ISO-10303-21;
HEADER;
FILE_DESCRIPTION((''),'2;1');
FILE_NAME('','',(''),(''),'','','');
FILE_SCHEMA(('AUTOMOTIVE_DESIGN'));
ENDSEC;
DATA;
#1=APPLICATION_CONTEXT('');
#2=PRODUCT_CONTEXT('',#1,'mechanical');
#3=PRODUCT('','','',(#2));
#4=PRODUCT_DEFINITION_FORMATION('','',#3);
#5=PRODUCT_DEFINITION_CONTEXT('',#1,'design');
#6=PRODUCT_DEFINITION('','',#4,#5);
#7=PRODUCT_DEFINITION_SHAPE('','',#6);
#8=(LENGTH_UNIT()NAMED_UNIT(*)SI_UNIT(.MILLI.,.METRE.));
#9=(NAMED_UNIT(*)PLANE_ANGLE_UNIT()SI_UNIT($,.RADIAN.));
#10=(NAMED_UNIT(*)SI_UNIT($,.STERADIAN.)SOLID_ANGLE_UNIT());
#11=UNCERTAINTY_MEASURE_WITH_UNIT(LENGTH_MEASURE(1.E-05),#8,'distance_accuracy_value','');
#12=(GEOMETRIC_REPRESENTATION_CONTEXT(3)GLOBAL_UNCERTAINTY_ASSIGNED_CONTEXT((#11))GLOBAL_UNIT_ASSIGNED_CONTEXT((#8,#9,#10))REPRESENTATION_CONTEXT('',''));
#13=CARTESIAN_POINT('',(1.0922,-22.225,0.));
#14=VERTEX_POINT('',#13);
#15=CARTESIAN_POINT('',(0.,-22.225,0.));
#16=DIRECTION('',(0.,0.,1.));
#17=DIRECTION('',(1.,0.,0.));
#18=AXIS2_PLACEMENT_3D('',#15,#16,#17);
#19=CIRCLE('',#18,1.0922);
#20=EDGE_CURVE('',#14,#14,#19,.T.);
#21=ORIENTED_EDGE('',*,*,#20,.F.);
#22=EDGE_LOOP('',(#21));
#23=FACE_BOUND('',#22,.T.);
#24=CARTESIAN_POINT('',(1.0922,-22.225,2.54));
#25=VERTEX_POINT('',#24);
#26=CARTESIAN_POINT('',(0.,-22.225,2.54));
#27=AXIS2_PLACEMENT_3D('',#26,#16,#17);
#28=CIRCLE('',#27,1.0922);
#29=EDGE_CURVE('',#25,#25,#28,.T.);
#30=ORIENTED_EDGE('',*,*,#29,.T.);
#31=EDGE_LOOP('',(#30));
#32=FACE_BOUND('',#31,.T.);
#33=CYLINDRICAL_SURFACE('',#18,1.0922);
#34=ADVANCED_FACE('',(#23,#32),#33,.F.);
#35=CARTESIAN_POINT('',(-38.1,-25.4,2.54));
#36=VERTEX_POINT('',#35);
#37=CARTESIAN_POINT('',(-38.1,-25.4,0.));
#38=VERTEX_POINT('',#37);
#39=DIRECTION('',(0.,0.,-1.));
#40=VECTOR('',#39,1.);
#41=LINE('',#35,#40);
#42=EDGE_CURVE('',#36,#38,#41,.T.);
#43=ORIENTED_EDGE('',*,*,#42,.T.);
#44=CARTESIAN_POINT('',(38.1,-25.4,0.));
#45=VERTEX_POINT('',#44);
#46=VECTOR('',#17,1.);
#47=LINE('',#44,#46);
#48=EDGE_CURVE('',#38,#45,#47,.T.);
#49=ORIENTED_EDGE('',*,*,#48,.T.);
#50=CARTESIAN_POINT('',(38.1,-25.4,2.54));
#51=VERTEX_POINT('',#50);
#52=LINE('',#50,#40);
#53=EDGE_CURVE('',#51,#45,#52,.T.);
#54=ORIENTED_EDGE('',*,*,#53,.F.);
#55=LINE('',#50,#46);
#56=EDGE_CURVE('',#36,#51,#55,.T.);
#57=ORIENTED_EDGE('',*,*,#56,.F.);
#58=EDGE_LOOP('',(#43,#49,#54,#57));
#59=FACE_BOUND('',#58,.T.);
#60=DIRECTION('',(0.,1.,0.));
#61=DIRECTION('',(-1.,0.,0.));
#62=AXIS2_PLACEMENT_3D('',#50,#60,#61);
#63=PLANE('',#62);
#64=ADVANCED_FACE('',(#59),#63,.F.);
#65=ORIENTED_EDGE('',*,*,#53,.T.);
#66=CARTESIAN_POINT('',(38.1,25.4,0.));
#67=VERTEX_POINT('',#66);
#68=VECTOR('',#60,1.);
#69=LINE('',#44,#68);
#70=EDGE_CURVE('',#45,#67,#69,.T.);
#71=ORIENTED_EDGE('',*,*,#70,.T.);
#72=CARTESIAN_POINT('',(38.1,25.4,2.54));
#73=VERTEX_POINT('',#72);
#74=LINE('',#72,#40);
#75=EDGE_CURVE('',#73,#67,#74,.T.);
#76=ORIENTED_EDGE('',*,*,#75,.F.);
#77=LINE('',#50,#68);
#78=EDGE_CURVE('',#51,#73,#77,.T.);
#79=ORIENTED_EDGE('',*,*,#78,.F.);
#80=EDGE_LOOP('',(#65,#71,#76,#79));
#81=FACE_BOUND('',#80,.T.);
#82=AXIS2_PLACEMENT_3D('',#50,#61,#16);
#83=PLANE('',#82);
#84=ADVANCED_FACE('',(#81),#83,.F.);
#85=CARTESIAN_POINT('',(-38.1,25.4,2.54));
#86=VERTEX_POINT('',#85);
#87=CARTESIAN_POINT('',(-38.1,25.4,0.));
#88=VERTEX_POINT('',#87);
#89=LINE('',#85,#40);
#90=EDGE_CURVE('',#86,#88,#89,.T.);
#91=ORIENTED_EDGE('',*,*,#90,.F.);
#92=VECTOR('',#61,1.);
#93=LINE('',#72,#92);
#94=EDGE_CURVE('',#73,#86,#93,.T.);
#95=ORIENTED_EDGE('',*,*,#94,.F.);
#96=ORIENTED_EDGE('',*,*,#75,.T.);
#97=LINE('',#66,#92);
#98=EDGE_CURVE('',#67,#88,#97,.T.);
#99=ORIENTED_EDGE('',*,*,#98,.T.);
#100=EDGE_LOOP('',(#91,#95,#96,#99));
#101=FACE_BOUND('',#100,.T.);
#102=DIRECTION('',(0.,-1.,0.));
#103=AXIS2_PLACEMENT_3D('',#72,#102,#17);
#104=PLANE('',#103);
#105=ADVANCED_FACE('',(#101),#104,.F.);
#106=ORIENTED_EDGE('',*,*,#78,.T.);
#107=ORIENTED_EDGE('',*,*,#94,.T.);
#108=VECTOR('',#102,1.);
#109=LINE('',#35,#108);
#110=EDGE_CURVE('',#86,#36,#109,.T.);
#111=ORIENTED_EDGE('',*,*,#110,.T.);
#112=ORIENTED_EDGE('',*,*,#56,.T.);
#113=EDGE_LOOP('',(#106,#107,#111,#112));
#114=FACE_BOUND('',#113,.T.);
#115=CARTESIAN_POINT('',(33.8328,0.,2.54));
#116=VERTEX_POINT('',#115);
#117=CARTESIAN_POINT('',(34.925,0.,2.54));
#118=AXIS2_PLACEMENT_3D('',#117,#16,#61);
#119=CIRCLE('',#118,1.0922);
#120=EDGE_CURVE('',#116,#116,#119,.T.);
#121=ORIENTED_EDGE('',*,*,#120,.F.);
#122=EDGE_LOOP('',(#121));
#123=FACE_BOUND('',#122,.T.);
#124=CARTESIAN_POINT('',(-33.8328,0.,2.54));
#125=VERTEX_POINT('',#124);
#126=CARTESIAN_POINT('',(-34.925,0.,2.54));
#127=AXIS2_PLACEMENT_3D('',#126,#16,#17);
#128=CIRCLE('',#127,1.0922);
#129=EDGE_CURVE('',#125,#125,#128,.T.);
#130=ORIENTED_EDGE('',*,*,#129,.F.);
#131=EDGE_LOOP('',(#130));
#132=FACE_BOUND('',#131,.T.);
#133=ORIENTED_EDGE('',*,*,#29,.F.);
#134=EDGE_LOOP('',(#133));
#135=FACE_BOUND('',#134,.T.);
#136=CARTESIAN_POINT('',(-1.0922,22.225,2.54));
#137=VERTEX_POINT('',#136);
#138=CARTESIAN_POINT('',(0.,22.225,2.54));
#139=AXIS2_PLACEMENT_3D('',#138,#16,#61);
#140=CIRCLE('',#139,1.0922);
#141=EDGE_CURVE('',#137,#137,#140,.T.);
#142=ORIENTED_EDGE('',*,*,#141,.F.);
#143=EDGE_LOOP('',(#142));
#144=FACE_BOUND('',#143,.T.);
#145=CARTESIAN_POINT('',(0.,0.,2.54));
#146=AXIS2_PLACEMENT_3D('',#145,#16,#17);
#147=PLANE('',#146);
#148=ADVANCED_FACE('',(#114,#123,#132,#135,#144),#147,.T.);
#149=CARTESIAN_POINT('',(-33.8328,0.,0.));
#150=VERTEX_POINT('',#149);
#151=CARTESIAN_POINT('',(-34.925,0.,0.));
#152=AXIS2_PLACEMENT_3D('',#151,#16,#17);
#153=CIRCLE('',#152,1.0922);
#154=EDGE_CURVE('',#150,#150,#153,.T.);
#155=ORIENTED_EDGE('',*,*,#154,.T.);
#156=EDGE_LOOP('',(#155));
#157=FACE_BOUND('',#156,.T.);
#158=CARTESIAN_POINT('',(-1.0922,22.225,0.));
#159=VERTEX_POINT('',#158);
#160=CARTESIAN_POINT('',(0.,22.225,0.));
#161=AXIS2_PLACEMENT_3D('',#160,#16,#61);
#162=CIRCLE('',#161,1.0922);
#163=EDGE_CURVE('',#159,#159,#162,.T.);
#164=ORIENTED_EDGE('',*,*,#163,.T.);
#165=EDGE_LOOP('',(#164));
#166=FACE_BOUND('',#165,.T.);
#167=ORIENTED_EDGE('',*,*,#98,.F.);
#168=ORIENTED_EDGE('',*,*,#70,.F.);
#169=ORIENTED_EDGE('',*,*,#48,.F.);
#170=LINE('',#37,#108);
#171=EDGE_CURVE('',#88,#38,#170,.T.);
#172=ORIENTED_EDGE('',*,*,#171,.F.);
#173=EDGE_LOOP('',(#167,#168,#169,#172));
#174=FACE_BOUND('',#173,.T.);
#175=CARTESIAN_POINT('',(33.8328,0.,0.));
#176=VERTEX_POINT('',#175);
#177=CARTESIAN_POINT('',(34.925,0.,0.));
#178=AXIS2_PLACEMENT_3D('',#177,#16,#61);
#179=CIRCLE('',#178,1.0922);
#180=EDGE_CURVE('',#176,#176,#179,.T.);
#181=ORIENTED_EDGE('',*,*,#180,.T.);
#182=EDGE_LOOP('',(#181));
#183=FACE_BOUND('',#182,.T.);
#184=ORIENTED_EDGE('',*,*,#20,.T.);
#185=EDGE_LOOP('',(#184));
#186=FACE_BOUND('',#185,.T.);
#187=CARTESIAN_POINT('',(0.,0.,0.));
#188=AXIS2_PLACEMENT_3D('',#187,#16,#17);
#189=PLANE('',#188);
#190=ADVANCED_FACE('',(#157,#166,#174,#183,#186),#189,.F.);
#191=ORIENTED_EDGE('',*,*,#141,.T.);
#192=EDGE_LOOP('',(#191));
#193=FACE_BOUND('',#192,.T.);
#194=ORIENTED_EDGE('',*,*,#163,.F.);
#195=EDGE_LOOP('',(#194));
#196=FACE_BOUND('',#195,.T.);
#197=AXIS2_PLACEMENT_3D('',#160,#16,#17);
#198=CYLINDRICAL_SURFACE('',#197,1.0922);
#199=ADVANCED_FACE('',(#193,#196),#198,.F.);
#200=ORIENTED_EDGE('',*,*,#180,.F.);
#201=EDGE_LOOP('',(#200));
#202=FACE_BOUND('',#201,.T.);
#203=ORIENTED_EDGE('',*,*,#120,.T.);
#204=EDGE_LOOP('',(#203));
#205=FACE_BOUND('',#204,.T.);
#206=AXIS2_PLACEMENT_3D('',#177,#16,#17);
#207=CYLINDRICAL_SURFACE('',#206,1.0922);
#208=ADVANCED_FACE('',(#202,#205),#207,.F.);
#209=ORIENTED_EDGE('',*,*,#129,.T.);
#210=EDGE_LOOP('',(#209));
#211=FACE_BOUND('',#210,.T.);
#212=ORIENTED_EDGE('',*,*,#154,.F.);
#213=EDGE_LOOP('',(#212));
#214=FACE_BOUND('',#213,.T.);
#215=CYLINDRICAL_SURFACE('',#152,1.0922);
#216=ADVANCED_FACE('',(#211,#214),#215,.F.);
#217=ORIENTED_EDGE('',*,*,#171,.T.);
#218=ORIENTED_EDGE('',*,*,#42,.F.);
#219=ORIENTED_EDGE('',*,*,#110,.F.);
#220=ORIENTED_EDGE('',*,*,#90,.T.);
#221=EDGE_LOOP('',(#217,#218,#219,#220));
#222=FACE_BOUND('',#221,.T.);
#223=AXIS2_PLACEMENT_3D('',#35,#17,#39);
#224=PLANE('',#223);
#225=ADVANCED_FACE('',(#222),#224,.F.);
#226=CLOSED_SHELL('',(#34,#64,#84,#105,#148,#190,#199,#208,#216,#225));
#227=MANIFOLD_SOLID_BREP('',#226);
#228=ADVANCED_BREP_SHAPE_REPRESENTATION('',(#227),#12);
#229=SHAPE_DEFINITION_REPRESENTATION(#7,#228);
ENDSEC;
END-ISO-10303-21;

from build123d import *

# Parameters (mm, degrees)
SKETCH2_W           = 76.2
SKETCH2_H           = 50.8
BOSS_EXTRUDE1_DEPTH = 2.54
SKETCH3_R           = 1.0922
CUT_EXTRUDE1_DEPTH  = 2.54


with BuildPart() as part:
    # Sketch2 → Boss-Extrude1 (new body)
    with BuildSketch(Plane.XY):
        Rectangle(SKETCH2_W, SKETCH2_H)
    extrude(amount=BOSS_EXTRUDE1_DEPTH)

    # Sketch3 → Cut-Extrude1 (cut)
    with BuildSketch(Plane.XY.offset(2.54)):
        with Locations((-34.925, 0)):
            Circle(SKETCH3_R)
        with Locations(Location((34.925, 0, 0), (0, 0, 180))):
            Circle(SKETCH3_R)
        with Locations((0, -22.225)):
            Circle(SKETCH3_R)
        with Locations(Location((0, 22.225, 0), (0, 0, 180))):
            Circle(SKETCH3_R)
    extrude(amount=-CUT_EXTRUDE1_DEPTH, mode=Mode.SUBTRACT)


solid = part.part
